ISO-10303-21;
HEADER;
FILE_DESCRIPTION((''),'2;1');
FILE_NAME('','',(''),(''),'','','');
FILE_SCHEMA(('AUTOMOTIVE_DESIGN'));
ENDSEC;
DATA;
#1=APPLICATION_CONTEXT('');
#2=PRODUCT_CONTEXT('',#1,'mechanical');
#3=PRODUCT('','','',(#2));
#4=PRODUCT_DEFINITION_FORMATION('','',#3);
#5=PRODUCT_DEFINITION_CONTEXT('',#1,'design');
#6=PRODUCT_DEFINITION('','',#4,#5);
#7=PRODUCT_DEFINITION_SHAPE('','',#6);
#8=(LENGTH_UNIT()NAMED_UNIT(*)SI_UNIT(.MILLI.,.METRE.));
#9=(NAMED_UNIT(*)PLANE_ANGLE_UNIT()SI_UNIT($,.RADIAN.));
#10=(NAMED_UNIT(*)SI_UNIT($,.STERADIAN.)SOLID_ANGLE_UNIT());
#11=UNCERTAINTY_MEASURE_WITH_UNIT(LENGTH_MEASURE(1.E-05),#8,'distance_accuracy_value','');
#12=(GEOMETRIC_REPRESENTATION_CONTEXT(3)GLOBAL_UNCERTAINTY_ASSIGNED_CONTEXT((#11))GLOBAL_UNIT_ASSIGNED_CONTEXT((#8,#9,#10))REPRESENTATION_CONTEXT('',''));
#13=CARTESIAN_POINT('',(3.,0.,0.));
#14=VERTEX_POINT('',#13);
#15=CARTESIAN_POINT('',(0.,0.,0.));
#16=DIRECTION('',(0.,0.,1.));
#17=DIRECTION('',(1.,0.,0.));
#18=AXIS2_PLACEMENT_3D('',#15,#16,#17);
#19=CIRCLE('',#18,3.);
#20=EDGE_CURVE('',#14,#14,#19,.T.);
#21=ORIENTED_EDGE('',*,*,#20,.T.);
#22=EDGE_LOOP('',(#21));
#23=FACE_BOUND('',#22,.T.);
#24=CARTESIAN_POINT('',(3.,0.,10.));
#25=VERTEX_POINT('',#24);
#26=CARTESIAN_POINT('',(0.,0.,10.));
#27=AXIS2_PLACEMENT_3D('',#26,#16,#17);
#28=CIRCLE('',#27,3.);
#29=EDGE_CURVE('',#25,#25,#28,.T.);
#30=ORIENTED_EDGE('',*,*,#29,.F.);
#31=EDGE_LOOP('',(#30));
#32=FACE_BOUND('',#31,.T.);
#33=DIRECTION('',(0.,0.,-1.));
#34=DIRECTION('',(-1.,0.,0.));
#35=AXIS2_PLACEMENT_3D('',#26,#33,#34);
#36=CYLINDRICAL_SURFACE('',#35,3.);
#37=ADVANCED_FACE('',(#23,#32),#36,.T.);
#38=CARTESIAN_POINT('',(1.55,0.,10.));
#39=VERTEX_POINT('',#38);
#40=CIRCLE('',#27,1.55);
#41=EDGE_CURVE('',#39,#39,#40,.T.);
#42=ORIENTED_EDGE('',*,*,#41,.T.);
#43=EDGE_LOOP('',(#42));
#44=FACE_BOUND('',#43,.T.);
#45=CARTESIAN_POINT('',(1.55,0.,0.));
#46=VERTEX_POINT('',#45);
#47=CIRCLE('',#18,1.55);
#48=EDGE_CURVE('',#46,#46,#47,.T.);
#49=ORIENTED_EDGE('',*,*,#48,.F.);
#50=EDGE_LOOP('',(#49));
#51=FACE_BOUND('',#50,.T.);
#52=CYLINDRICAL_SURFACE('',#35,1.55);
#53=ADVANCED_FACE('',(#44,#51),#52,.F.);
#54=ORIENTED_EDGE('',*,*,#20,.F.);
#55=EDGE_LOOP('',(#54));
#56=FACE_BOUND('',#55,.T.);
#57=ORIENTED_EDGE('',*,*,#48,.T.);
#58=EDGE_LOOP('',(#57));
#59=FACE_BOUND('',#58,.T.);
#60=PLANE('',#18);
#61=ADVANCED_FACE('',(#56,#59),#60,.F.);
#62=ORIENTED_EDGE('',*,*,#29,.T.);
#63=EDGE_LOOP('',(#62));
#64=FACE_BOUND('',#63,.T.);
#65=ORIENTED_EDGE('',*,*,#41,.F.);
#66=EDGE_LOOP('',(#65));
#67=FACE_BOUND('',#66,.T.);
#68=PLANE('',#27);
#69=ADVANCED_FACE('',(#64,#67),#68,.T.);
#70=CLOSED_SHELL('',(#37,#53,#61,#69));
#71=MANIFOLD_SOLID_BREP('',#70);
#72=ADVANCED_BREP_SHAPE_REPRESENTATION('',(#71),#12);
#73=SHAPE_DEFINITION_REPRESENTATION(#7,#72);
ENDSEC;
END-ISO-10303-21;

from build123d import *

# Parameters (mm, degrees)
ESQUISSE1_R      = 3
ESQUISSE1_R_2    = 1.55
EXTRUSION1_DEPTH = 10


with BuildPart() as part:
    # Esquisse1 → Extrusion1 (new body)
    with BuildSketch(Plane.XY):
        Circle(ESQUISSE1_R)
        Circle(ESQUISSE1_R_2, mode=Mode.SUBTRACT)
    extrude(amount=EXTRUSION1_DEPTH)


solid = part.part
